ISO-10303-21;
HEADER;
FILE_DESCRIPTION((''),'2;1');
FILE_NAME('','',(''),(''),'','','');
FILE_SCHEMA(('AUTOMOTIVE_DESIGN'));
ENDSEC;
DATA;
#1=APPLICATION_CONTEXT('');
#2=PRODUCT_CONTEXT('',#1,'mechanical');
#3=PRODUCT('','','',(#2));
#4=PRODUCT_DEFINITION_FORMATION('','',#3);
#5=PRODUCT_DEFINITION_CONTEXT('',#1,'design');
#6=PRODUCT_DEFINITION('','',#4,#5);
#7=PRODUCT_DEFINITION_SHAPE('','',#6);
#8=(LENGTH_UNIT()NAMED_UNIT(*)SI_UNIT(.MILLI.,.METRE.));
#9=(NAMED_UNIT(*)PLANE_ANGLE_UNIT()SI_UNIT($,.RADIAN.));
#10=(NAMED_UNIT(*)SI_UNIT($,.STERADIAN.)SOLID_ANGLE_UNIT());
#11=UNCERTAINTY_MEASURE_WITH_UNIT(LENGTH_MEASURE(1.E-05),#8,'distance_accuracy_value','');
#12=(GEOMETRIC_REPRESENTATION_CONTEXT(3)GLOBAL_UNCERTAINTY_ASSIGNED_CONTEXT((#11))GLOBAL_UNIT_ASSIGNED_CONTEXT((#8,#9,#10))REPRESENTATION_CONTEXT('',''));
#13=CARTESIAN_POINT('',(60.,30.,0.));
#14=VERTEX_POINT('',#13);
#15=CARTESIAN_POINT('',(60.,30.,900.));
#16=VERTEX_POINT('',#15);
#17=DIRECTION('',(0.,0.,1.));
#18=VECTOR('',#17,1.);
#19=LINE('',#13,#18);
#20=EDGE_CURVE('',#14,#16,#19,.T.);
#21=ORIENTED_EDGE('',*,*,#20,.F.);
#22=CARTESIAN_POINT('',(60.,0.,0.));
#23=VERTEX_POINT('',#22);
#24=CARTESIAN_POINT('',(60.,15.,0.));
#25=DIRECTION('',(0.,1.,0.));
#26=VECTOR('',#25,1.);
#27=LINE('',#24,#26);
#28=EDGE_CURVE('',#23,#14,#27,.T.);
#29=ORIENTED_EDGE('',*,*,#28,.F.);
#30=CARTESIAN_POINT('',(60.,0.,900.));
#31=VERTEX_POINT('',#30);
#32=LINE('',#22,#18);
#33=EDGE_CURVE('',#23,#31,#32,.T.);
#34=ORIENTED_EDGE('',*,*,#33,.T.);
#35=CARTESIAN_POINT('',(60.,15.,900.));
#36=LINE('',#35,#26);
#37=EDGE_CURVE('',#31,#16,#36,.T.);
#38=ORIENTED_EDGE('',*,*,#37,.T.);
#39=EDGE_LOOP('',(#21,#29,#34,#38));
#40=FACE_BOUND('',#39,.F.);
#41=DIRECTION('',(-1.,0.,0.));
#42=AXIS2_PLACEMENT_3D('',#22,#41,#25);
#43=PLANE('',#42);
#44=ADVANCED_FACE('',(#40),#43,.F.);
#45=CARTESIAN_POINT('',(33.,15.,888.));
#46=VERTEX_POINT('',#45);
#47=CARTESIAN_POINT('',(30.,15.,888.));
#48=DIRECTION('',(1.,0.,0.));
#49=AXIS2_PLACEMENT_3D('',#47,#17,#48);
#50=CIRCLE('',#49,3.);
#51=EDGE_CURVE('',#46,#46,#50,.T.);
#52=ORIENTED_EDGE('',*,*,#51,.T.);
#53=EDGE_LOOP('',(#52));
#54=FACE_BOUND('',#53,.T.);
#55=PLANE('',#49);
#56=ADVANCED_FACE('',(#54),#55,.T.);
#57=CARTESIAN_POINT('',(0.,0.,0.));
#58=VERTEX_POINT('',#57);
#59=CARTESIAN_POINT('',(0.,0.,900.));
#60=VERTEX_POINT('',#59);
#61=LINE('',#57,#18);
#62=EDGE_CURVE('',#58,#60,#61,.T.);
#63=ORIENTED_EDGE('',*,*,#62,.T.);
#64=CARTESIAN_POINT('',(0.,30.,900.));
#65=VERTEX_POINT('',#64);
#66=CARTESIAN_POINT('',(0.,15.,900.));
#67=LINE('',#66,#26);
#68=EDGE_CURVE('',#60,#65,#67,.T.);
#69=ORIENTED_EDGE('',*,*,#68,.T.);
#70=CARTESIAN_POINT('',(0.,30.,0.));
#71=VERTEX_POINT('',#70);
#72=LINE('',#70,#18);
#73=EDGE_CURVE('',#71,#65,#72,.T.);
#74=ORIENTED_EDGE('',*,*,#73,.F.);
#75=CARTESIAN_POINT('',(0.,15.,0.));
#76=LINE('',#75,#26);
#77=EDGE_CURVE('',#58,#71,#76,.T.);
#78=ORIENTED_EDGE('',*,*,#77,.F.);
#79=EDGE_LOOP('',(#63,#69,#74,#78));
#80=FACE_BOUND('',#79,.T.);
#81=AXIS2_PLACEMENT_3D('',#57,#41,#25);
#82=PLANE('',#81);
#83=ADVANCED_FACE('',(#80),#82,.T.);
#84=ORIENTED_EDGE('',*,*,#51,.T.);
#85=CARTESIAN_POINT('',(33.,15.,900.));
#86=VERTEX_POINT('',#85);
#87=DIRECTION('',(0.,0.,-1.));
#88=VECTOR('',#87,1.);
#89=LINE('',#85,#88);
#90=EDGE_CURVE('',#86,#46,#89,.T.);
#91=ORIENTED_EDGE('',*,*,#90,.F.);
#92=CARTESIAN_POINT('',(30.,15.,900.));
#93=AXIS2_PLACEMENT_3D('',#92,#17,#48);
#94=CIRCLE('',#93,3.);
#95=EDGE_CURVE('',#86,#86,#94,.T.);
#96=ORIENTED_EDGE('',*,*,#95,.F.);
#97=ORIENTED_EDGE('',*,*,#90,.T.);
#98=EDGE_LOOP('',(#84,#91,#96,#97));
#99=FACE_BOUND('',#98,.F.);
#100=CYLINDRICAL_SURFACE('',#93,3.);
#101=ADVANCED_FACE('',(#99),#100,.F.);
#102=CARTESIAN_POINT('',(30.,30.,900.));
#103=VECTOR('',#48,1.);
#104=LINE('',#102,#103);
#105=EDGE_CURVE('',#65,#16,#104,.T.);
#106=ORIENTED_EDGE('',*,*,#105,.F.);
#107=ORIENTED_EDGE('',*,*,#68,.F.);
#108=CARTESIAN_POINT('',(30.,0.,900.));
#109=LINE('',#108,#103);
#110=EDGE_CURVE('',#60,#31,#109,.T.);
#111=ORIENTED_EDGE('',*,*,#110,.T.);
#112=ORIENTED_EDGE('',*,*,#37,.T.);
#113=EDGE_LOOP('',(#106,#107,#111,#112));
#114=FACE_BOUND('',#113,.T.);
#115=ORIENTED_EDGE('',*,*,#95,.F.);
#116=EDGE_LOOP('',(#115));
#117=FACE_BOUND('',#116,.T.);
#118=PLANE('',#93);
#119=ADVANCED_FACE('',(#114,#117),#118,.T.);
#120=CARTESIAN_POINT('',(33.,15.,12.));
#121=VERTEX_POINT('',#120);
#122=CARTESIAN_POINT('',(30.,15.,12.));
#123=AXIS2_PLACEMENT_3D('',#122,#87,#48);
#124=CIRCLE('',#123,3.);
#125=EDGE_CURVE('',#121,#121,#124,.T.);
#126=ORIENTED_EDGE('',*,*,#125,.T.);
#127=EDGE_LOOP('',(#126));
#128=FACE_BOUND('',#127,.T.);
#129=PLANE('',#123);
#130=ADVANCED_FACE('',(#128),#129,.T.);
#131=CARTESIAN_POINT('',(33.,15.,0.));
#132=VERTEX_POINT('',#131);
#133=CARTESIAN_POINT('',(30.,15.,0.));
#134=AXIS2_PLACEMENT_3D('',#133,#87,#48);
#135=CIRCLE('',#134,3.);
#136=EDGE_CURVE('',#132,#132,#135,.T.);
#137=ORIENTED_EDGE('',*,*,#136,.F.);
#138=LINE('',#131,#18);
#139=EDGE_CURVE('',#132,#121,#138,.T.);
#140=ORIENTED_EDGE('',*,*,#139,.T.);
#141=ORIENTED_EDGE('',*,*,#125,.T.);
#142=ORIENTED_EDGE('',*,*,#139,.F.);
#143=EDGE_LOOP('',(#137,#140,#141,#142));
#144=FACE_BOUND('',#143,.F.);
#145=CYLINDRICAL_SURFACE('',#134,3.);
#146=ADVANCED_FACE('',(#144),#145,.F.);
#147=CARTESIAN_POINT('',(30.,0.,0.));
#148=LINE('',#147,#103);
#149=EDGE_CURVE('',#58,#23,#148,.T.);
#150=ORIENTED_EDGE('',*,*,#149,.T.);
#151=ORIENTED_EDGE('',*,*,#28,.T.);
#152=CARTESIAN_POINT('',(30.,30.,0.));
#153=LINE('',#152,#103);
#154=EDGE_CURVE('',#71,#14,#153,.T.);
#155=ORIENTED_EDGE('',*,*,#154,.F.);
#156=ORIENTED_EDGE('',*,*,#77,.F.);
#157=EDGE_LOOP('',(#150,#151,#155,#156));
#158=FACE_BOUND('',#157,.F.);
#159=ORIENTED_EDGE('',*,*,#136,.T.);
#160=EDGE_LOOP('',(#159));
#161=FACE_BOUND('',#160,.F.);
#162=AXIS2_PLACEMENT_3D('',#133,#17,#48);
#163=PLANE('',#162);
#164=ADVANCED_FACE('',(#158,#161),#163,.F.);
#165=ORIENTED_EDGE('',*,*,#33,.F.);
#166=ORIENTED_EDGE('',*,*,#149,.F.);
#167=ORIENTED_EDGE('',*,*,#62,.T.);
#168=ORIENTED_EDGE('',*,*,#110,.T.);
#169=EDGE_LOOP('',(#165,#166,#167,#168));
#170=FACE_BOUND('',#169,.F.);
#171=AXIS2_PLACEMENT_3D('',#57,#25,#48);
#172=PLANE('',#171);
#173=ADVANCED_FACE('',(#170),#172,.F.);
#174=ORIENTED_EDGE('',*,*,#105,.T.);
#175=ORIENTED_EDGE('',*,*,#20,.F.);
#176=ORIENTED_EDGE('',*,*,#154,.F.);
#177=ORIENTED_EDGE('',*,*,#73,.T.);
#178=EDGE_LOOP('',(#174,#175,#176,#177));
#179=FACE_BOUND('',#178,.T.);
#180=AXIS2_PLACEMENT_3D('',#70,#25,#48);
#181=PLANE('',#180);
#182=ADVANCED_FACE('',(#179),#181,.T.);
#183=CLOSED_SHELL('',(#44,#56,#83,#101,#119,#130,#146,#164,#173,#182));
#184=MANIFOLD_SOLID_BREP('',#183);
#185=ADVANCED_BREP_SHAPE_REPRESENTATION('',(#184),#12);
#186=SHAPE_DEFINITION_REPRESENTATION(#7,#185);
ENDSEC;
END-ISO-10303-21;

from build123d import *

# Parameters (mm, degrees)
F0_W     = 60
F0_H     = 30
F1_DEPTH = 900
F3_R     = 3
F4_DEPTH = 12
F5_R     = 3
F6_DEPTH = 12


with BuildPart() as f1:
    # F0 (on Top) → F1 (new body)
    with BuildSketch(Plane.XY):
        with Locations((30, 15)):
            Rectangle(F0_W, F0_H)
    extrude(amount=F1_DEPTH)

    # F3 (on face) → F4 (cut)
    with BuildSketch(Plane.XY.offset(900)):
        with Locations((30, 15)):
            Circle(F3_R)
    extrude(amount=-F4_DEPTH, mode=Mode.SUBTRACT)

    # F5 (on face) → F6 (cut)
    with BuildSketch(Plane(origin=(0, 0, 0), x_dir=(1, 0, 0), z_dir=(0, 0, -1))):
        with Locations((30, -15)):
            Circle(F5_R)
    extrude(amount=-F6_DEPTH, mode=Mode.SUBTRACT)


solid = f1.part
